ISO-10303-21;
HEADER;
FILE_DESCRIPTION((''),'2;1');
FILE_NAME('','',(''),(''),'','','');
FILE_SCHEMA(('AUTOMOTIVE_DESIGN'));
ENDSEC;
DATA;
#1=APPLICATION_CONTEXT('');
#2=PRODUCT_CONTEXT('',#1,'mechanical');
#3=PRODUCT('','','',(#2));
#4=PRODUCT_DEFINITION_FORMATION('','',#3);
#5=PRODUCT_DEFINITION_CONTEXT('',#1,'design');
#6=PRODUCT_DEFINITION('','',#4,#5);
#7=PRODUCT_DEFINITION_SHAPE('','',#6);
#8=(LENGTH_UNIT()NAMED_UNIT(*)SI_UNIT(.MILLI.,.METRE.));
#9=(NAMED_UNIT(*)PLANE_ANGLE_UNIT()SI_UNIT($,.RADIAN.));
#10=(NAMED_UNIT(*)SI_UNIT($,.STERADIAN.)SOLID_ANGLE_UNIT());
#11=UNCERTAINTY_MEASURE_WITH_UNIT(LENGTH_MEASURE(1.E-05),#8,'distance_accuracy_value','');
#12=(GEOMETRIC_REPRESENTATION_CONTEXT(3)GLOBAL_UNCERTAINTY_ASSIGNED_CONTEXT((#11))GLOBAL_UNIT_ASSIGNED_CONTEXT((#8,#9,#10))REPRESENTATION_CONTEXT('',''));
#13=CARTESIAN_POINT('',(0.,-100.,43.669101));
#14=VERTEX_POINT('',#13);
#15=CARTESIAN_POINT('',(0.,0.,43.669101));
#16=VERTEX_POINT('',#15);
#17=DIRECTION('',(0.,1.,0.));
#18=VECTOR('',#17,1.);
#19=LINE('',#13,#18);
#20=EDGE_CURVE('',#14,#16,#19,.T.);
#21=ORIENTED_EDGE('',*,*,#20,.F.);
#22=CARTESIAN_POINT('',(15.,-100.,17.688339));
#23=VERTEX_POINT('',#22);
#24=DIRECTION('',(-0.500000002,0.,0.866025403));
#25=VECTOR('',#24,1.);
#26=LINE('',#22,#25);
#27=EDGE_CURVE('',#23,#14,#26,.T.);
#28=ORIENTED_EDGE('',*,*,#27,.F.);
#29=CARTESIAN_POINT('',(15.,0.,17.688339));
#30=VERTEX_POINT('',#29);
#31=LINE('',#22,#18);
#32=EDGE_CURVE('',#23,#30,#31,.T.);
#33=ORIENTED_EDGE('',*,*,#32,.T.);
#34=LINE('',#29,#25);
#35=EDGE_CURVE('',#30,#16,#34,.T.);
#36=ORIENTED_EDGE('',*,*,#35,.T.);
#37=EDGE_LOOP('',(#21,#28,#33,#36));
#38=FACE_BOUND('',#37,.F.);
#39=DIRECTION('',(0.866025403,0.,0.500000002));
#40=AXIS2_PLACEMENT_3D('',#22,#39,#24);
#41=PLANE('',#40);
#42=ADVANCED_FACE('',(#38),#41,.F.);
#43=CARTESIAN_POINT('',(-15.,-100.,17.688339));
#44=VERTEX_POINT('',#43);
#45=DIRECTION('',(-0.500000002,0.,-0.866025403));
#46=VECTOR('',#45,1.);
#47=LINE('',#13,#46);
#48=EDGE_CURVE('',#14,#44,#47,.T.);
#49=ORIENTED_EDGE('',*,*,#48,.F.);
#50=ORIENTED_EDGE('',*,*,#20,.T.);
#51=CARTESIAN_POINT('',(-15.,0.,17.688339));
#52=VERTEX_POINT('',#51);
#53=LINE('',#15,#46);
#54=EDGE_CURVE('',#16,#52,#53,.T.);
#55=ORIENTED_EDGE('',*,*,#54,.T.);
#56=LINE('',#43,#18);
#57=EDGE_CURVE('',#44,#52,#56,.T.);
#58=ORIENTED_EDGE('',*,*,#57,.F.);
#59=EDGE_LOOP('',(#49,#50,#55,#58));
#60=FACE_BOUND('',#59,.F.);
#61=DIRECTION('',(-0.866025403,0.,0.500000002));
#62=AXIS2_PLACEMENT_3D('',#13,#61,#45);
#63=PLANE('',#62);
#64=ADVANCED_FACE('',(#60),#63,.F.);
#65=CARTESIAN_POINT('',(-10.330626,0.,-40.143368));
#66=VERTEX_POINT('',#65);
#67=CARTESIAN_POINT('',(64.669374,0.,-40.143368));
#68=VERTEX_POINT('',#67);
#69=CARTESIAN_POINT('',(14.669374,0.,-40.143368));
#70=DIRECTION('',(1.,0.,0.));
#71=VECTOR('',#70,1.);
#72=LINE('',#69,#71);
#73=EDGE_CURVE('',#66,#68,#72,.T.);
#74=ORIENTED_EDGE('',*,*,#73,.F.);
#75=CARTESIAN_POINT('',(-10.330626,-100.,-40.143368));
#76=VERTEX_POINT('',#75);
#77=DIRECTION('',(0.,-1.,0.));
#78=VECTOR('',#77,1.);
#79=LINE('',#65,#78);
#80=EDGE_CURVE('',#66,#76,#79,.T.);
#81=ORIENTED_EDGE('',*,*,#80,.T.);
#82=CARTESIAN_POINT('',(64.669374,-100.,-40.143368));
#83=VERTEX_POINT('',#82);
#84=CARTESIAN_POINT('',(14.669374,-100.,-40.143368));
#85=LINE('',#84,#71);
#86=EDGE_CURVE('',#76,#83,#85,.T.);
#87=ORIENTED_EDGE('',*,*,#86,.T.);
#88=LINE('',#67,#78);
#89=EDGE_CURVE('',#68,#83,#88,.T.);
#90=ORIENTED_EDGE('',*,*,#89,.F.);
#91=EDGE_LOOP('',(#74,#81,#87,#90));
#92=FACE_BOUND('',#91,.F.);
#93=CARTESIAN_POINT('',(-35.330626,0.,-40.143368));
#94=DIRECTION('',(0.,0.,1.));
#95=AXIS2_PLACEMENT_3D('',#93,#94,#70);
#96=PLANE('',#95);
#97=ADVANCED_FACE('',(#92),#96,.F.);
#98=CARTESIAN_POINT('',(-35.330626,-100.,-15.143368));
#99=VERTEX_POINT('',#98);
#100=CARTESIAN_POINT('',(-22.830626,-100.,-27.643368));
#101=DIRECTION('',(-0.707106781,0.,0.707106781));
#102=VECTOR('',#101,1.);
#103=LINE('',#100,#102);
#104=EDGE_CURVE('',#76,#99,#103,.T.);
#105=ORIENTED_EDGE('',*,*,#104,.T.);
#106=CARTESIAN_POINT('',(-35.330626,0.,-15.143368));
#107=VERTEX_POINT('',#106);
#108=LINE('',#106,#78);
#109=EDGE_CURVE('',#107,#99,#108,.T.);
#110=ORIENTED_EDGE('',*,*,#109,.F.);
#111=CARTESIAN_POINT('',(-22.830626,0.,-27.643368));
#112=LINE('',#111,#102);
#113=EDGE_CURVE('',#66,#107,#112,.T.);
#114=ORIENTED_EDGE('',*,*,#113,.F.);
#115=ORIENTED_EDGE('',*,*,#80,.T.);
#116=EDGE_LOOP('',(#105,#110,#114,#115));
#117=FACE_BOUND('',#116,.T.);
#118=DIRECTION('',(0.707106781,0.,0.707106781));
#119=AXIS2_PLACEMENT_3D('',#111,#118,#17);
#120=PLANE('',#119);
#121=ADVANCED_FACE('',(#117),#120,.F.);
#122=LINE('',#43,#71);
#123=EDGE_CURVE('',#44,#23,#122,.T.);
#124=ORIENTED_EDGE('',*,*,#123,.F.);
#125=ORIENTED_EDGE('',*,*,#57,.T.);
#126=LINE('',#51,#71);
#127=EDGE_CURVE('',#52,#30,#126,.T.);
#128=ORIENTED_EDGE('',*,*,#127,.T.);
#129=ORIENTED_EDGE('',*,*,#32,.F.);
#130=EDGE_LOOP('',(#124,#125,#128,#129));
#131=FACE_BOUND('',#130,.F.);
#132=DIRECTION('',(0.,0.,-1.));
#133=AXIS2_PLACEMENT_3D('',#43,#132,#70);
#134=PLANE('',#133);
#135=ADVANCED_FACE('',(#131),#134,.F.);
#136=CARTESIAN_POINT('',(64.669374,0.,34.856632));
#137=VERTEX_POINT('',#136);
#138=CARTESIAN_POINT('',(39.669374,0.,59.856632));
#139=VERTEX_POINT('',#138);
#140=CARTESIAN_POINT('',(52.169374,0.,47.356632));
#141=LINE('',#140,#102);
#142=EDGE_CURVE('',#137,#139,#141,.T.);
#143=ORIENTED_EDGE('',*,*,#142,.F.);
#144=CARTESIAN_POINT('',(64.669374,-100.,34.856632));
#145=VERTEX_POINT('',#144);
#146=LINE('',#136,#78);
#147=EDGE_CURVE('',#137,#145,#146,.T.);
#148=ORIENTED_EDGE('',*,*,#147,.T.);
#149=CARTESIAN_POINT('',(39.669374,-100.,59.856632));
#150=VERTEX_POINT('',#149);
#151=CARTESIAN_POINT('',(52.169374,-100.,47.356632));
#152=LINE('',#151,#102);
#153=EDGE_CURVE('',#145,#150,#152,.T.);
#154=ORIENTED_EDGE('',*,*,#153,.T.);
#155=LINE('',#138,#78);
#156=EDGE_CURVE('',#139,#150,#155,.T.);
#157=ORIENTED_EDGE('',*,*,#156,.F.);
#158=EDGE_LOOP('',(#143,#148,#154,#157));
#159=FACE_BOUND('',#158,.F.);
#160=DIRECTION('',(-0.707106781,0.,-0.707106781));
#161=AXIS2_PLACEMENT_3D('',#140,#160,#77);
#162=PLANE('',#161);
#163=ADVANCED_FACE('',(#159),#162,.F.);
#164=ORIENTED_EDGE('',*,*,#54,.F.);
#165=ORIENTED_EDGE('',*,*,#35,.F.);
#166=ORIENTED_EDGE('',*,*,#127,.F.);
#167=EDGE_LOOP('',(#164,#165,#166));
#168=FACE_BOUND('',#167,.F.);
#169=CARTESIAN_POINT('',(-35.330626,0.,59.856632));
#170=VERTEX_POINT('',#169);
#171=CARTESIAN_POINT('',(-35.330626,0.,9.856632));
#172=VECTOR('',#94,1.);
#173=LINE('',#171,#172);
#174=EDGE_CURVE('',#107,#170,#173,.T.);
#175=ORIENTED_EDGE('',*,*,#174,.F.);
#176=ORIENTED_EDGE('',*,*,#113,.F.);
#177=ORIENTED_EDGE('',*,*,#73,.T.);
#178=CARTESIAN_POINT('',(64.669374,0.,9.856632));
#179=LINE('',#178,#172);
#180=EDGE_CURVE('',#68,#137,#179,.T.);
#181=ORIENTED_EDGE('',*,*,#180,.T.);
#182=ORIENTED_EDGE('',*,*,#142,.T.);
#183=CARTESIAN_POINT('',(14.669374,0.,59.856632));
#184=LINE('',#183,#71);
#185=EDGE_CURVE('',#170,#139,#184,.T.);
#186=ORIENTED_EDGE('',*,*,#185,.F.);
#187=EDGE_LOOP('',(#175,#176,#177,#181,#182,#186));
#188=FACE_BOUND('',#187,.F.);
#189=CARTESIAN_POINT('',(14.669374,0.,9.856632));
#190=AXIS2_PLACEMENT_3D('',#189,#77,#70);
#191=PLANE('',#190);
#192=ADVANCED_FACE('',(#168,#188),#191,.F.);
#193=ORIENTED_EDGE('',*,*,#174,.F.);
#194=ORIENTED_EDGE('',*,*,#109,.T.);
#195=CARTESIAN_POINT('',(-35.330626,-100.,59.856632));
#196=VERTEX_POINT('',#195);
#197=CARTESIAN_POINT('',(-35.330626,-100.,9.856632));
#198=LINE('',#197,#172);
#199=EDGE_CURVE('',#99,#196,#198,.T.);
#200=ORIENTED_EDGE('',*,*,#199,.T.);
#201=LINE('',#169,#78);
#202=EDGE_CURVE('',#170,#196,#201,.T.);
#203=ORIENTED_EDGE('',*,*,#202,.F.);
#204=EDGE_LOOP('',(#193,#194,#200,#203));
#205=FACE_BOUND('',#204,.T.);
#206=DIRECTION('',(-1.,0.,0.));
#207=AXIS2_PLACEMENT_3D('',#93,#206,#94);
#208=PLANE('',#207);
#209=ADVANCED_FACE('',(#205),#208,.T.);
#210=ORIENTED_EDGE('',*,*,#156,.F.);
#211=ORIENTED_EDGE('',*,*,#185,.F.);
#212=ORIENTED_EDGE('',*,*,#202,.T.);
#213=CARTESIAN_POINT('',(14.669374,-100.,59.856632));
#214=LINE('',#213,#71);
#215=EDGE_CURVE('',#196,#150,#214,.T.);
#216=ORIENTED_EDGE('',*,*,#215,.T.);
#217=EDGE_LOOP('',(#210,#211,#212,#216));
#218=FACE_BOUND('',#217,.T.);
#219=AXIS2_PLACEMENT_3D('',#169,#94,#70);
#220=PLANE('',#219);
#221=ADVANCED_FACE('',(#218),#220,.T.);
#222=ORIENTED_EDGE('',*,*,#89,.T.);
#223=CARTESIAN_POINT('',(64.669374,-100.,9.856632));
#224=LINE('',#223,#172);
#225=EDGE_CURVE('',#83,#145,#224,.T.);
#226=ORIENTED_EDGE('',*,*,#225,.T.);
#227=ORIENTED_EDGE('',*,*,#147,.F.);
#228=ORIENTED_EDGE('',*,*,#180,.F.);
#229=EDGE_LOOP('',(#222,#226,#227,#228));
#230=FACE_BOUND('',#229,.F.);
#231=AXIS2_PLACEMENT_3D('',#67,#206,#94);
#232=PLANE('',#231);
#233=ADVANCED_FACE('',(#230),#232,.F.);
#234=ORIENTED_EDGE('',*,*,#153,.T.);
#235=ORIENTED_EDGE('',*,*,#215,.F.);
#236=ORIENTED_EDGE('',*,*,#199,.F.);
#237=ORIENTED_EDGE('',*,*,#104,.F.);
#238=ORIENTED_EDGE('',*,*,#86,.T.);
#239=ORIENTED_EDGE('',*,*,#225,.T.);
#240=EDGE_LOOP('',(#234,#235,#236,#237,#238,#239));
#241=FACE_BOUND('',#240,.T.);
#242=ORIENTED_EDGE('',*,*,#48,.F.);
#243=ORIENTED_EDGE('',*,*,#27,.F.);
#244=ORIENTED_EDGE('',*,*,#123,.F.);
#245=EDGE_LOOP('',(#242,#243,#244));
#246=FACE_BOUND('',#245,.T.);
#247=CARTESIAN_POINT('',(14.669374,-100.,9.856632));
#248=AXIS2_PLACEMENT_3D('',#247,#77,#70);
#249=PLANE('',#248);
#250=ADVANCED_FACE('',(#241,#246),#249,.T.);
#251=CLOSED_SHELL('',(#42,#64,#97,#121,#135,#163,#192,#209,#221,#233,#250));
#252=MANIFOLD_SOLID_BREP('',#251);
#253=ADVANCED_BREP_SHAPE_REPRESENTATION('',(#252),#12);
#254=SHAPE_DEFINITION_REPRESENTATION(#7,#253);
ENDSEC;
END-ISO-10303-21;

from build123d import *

# Parameters (mm, degrees)
F0_W     = 100
F0_H     = 100
F1_DEPTH = 100
F3_SIZE  = 25
F4_SIZE  = 25
F5_DEPTH = 100


with BuildPart() as f1:
    # F0 (on Front) → F1 (new body)
    with BuildSketch(Plane.XZ):
        with Locations((14.669374, 9.856632)):
            Rectangle(F0_W, F0_H)
    extrude(amount=F1_DEPTH)

    # F3
    f3_edges = [f1.edges().sort_by_distance(p)[0] for p in [
        (64.669374, -50, 59.856632),
    ]]
    chamfer(f3_edges, length=F3_SIZE)

    # F4
    f4_edges = [f1.edges().sort_by_distance(p)[0] for p in [
        (-35.330626, -50, -40.143368),
    ]]
    chamfer(f4_edges, length=F4_SIZE)

    # F2 (on face) → F5 (cut)
    with BuildSketch(Plane.XZ.offset(100)):
        Polygon((15, 17.688339), (0, 43.669101), (-15, 17.688339), align=None)
    extrude(amount=-F5_DEPTH, mode=Mode.SUBTRACT)


solid = f1.part
